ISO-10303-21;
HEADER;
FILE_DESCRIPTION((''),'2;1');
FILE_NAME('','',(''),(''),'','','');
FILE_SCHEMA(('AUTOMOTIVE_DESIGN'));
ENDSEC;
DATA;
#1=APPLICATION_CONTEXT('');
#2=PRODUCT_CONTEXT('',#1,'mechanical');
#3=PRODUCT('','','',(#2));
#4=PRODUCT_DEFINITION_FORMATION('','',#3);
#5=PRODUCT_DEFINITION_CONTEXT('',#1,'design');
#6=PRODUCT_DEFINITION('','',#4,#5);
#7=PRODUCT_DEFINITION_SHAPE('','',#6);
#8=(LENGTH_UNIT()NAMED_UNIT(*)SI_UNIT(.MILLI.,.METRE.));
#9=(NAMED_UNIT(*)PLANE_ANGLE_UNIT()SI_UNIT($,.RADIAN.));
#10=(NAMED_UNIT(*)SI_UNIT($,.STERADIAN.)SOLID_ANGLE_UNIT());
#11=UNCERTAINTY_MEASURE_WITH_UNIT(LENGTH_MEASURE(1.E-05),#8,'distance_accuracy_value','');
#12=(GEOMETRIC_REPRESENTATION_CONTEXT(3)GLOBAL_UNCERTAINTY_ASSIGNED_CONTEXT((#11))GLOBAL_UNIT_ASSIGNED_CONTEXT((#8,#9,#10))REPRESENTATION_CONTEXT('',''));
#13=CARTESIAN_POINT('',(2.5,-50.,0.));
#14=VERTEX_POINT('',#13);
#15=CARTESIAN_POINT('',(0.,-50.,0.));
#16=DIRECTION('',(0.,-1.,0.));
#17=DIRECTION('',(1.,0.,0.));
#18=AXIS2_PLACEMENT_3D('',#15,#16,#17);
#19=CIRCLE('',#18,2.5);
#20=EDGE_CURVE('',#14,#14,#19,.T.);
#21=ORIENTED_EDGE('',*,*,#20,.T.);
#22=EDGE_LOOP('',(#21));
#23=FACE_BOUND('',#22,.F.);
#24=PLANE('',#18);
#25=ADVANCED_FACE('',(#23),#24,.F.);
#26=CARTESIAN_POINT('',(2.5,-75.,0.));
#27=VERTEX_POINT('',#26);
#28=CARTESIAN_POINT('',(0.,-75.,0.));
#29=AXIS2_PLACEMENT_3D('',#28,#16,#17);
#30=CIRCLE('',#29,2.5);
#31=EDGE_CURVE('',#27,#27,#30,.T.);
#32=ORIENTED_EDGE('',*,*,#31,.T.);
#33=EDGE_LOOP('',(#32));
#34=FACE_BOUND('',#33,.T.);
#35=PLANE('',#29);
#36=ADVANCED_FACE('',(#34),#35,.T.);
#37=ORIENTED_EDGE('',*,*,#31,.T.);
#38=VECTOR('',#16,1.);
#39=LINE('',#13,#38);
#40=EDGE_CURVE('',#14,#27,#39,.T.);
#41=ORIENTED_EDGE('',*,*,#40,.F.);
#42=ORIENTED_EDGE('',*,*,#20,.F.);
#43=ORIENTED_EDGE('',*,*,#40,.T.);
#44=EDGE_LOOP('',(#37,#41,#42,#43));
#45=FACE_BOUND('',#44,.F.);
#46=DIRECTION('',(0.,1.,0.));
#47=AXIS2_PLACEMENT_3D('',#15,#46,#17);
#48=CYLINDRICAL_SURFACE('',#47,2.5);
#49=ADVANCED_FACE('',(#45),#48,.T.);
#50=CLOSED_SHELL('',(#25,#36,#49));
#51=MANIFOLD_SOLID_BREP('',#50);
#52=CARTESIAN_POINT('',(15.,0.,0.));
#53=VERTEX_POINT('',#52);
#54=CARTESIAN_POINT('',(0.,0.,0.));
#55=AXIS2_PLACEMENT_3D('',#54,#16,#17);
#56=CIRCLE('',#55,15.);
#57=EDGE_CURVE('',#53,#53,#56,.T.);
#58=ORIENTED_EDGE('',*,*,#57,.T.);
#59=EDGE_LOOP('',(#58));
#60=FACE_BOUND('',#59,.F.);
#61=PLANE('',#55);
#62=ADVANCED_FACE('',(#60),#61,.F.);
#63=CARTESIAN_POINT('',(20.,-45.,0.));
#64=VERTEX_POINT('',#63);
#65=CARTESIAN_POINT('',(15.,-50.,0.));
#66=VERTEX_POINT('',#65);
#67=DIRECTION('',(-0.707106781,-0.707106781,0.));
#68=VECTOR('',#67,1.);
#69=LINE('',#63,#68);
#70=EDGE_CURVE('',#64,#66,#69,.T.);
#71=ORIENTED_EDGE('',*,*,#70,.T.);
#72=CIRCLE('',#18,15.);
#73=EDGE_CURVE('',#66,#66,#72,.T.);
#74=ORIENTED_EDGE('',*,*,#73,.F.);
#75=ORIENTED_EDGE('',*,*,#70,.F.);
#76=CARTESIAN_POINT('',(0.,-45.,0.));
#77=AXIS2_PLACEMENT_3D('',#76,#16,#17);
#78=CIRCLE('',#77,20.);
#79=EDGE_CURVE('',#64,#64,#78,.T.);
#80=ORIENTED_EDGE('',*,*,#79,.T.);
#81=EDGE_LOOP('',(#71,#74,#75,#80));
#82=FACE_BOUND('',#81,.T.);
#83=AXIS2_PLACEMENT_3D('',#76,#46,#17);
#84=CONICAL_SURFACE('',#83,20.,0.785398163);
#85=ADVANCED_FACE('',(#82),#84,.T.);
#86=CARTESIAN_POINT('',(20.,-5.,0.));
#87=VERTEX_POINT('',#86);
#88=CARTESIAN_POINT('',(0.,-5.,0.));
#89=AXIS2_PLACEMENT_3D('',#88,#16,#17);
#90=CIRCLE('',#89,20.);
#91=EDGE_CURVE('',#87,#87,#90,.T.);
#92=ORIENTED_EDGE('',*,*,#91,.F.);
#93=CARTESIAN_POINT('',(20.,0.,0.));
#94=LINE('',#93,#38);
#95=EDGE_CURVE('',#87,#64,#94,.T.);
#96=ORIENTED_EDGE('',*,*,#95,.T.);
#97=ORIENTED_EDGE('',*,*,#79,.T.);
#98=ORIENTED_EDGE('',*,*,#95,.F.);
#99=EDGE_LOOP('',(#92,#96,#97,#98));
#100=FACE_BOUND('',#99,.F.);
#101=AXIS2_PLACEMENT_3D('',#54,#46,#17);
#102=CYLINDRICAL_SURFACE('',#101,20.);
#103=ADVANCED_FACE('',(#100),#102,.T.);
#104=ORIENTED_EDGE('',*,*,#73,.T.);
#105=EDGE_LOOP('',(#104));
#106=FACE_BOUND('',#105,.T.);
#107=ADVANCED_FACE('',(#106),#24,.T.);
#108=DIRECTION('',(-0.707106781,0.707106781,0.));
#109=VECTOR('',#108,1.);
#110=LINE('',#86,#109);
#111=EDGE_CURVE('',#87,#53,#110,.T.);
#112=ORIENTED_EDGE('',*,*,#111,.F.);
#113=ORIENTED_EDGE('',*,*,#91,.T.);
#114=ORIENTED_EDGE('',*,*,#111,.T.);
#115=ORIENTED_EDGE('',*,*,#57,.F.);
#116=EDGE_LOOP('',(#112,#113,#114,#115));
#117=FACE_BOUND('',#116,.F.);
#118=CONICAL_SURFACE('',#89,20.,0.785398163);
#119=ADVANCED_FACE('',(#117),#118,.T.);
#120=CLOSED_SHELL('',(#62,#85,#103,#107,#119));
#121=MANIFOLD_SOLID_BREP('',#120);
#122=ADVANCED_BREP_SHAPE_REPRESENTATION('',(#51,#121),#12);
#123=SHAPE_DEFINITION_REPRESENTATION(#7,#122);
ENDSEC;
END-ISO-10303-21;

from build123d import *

# Parameters (mm, degrees)
F0_R     = 20
F1_DEPTH = 50
F2_SIZE  = 5
F4_SIZE  = 5
F3_R     = 2.5
F5_DEPTH = 25


with BuildPart() as f1:
    # F0 (on Front) → F1 (new body)
    with BuildSketch(Plane.XZ):
        Circle(F0_R)
    extrude(amount=F1_DEPTH)

    # F2
    f2_edges = [f1.edges().sort_by_distance(p)[0] for p in [
        (-20, -50, 0),
    ]]
    chamfer(f2_edges, length=F2_SIZE)

    # F4
    f4_edges = [f1.edges().sort_by_distance(p)[0] for p in [
        (-20, 0, 0),
    ]]
    chamfer(f4_edges, length=F4_SIZE)


with BuildPart() as f5:
    # F3 (on face) → F5 (new body)
    with BuildSketch(Plane.XZ.offset(50)):
        Circle(F3_R)
    extrude(amount=F5_DEPTH)


solid = Compound([f1.part, f5.part])
